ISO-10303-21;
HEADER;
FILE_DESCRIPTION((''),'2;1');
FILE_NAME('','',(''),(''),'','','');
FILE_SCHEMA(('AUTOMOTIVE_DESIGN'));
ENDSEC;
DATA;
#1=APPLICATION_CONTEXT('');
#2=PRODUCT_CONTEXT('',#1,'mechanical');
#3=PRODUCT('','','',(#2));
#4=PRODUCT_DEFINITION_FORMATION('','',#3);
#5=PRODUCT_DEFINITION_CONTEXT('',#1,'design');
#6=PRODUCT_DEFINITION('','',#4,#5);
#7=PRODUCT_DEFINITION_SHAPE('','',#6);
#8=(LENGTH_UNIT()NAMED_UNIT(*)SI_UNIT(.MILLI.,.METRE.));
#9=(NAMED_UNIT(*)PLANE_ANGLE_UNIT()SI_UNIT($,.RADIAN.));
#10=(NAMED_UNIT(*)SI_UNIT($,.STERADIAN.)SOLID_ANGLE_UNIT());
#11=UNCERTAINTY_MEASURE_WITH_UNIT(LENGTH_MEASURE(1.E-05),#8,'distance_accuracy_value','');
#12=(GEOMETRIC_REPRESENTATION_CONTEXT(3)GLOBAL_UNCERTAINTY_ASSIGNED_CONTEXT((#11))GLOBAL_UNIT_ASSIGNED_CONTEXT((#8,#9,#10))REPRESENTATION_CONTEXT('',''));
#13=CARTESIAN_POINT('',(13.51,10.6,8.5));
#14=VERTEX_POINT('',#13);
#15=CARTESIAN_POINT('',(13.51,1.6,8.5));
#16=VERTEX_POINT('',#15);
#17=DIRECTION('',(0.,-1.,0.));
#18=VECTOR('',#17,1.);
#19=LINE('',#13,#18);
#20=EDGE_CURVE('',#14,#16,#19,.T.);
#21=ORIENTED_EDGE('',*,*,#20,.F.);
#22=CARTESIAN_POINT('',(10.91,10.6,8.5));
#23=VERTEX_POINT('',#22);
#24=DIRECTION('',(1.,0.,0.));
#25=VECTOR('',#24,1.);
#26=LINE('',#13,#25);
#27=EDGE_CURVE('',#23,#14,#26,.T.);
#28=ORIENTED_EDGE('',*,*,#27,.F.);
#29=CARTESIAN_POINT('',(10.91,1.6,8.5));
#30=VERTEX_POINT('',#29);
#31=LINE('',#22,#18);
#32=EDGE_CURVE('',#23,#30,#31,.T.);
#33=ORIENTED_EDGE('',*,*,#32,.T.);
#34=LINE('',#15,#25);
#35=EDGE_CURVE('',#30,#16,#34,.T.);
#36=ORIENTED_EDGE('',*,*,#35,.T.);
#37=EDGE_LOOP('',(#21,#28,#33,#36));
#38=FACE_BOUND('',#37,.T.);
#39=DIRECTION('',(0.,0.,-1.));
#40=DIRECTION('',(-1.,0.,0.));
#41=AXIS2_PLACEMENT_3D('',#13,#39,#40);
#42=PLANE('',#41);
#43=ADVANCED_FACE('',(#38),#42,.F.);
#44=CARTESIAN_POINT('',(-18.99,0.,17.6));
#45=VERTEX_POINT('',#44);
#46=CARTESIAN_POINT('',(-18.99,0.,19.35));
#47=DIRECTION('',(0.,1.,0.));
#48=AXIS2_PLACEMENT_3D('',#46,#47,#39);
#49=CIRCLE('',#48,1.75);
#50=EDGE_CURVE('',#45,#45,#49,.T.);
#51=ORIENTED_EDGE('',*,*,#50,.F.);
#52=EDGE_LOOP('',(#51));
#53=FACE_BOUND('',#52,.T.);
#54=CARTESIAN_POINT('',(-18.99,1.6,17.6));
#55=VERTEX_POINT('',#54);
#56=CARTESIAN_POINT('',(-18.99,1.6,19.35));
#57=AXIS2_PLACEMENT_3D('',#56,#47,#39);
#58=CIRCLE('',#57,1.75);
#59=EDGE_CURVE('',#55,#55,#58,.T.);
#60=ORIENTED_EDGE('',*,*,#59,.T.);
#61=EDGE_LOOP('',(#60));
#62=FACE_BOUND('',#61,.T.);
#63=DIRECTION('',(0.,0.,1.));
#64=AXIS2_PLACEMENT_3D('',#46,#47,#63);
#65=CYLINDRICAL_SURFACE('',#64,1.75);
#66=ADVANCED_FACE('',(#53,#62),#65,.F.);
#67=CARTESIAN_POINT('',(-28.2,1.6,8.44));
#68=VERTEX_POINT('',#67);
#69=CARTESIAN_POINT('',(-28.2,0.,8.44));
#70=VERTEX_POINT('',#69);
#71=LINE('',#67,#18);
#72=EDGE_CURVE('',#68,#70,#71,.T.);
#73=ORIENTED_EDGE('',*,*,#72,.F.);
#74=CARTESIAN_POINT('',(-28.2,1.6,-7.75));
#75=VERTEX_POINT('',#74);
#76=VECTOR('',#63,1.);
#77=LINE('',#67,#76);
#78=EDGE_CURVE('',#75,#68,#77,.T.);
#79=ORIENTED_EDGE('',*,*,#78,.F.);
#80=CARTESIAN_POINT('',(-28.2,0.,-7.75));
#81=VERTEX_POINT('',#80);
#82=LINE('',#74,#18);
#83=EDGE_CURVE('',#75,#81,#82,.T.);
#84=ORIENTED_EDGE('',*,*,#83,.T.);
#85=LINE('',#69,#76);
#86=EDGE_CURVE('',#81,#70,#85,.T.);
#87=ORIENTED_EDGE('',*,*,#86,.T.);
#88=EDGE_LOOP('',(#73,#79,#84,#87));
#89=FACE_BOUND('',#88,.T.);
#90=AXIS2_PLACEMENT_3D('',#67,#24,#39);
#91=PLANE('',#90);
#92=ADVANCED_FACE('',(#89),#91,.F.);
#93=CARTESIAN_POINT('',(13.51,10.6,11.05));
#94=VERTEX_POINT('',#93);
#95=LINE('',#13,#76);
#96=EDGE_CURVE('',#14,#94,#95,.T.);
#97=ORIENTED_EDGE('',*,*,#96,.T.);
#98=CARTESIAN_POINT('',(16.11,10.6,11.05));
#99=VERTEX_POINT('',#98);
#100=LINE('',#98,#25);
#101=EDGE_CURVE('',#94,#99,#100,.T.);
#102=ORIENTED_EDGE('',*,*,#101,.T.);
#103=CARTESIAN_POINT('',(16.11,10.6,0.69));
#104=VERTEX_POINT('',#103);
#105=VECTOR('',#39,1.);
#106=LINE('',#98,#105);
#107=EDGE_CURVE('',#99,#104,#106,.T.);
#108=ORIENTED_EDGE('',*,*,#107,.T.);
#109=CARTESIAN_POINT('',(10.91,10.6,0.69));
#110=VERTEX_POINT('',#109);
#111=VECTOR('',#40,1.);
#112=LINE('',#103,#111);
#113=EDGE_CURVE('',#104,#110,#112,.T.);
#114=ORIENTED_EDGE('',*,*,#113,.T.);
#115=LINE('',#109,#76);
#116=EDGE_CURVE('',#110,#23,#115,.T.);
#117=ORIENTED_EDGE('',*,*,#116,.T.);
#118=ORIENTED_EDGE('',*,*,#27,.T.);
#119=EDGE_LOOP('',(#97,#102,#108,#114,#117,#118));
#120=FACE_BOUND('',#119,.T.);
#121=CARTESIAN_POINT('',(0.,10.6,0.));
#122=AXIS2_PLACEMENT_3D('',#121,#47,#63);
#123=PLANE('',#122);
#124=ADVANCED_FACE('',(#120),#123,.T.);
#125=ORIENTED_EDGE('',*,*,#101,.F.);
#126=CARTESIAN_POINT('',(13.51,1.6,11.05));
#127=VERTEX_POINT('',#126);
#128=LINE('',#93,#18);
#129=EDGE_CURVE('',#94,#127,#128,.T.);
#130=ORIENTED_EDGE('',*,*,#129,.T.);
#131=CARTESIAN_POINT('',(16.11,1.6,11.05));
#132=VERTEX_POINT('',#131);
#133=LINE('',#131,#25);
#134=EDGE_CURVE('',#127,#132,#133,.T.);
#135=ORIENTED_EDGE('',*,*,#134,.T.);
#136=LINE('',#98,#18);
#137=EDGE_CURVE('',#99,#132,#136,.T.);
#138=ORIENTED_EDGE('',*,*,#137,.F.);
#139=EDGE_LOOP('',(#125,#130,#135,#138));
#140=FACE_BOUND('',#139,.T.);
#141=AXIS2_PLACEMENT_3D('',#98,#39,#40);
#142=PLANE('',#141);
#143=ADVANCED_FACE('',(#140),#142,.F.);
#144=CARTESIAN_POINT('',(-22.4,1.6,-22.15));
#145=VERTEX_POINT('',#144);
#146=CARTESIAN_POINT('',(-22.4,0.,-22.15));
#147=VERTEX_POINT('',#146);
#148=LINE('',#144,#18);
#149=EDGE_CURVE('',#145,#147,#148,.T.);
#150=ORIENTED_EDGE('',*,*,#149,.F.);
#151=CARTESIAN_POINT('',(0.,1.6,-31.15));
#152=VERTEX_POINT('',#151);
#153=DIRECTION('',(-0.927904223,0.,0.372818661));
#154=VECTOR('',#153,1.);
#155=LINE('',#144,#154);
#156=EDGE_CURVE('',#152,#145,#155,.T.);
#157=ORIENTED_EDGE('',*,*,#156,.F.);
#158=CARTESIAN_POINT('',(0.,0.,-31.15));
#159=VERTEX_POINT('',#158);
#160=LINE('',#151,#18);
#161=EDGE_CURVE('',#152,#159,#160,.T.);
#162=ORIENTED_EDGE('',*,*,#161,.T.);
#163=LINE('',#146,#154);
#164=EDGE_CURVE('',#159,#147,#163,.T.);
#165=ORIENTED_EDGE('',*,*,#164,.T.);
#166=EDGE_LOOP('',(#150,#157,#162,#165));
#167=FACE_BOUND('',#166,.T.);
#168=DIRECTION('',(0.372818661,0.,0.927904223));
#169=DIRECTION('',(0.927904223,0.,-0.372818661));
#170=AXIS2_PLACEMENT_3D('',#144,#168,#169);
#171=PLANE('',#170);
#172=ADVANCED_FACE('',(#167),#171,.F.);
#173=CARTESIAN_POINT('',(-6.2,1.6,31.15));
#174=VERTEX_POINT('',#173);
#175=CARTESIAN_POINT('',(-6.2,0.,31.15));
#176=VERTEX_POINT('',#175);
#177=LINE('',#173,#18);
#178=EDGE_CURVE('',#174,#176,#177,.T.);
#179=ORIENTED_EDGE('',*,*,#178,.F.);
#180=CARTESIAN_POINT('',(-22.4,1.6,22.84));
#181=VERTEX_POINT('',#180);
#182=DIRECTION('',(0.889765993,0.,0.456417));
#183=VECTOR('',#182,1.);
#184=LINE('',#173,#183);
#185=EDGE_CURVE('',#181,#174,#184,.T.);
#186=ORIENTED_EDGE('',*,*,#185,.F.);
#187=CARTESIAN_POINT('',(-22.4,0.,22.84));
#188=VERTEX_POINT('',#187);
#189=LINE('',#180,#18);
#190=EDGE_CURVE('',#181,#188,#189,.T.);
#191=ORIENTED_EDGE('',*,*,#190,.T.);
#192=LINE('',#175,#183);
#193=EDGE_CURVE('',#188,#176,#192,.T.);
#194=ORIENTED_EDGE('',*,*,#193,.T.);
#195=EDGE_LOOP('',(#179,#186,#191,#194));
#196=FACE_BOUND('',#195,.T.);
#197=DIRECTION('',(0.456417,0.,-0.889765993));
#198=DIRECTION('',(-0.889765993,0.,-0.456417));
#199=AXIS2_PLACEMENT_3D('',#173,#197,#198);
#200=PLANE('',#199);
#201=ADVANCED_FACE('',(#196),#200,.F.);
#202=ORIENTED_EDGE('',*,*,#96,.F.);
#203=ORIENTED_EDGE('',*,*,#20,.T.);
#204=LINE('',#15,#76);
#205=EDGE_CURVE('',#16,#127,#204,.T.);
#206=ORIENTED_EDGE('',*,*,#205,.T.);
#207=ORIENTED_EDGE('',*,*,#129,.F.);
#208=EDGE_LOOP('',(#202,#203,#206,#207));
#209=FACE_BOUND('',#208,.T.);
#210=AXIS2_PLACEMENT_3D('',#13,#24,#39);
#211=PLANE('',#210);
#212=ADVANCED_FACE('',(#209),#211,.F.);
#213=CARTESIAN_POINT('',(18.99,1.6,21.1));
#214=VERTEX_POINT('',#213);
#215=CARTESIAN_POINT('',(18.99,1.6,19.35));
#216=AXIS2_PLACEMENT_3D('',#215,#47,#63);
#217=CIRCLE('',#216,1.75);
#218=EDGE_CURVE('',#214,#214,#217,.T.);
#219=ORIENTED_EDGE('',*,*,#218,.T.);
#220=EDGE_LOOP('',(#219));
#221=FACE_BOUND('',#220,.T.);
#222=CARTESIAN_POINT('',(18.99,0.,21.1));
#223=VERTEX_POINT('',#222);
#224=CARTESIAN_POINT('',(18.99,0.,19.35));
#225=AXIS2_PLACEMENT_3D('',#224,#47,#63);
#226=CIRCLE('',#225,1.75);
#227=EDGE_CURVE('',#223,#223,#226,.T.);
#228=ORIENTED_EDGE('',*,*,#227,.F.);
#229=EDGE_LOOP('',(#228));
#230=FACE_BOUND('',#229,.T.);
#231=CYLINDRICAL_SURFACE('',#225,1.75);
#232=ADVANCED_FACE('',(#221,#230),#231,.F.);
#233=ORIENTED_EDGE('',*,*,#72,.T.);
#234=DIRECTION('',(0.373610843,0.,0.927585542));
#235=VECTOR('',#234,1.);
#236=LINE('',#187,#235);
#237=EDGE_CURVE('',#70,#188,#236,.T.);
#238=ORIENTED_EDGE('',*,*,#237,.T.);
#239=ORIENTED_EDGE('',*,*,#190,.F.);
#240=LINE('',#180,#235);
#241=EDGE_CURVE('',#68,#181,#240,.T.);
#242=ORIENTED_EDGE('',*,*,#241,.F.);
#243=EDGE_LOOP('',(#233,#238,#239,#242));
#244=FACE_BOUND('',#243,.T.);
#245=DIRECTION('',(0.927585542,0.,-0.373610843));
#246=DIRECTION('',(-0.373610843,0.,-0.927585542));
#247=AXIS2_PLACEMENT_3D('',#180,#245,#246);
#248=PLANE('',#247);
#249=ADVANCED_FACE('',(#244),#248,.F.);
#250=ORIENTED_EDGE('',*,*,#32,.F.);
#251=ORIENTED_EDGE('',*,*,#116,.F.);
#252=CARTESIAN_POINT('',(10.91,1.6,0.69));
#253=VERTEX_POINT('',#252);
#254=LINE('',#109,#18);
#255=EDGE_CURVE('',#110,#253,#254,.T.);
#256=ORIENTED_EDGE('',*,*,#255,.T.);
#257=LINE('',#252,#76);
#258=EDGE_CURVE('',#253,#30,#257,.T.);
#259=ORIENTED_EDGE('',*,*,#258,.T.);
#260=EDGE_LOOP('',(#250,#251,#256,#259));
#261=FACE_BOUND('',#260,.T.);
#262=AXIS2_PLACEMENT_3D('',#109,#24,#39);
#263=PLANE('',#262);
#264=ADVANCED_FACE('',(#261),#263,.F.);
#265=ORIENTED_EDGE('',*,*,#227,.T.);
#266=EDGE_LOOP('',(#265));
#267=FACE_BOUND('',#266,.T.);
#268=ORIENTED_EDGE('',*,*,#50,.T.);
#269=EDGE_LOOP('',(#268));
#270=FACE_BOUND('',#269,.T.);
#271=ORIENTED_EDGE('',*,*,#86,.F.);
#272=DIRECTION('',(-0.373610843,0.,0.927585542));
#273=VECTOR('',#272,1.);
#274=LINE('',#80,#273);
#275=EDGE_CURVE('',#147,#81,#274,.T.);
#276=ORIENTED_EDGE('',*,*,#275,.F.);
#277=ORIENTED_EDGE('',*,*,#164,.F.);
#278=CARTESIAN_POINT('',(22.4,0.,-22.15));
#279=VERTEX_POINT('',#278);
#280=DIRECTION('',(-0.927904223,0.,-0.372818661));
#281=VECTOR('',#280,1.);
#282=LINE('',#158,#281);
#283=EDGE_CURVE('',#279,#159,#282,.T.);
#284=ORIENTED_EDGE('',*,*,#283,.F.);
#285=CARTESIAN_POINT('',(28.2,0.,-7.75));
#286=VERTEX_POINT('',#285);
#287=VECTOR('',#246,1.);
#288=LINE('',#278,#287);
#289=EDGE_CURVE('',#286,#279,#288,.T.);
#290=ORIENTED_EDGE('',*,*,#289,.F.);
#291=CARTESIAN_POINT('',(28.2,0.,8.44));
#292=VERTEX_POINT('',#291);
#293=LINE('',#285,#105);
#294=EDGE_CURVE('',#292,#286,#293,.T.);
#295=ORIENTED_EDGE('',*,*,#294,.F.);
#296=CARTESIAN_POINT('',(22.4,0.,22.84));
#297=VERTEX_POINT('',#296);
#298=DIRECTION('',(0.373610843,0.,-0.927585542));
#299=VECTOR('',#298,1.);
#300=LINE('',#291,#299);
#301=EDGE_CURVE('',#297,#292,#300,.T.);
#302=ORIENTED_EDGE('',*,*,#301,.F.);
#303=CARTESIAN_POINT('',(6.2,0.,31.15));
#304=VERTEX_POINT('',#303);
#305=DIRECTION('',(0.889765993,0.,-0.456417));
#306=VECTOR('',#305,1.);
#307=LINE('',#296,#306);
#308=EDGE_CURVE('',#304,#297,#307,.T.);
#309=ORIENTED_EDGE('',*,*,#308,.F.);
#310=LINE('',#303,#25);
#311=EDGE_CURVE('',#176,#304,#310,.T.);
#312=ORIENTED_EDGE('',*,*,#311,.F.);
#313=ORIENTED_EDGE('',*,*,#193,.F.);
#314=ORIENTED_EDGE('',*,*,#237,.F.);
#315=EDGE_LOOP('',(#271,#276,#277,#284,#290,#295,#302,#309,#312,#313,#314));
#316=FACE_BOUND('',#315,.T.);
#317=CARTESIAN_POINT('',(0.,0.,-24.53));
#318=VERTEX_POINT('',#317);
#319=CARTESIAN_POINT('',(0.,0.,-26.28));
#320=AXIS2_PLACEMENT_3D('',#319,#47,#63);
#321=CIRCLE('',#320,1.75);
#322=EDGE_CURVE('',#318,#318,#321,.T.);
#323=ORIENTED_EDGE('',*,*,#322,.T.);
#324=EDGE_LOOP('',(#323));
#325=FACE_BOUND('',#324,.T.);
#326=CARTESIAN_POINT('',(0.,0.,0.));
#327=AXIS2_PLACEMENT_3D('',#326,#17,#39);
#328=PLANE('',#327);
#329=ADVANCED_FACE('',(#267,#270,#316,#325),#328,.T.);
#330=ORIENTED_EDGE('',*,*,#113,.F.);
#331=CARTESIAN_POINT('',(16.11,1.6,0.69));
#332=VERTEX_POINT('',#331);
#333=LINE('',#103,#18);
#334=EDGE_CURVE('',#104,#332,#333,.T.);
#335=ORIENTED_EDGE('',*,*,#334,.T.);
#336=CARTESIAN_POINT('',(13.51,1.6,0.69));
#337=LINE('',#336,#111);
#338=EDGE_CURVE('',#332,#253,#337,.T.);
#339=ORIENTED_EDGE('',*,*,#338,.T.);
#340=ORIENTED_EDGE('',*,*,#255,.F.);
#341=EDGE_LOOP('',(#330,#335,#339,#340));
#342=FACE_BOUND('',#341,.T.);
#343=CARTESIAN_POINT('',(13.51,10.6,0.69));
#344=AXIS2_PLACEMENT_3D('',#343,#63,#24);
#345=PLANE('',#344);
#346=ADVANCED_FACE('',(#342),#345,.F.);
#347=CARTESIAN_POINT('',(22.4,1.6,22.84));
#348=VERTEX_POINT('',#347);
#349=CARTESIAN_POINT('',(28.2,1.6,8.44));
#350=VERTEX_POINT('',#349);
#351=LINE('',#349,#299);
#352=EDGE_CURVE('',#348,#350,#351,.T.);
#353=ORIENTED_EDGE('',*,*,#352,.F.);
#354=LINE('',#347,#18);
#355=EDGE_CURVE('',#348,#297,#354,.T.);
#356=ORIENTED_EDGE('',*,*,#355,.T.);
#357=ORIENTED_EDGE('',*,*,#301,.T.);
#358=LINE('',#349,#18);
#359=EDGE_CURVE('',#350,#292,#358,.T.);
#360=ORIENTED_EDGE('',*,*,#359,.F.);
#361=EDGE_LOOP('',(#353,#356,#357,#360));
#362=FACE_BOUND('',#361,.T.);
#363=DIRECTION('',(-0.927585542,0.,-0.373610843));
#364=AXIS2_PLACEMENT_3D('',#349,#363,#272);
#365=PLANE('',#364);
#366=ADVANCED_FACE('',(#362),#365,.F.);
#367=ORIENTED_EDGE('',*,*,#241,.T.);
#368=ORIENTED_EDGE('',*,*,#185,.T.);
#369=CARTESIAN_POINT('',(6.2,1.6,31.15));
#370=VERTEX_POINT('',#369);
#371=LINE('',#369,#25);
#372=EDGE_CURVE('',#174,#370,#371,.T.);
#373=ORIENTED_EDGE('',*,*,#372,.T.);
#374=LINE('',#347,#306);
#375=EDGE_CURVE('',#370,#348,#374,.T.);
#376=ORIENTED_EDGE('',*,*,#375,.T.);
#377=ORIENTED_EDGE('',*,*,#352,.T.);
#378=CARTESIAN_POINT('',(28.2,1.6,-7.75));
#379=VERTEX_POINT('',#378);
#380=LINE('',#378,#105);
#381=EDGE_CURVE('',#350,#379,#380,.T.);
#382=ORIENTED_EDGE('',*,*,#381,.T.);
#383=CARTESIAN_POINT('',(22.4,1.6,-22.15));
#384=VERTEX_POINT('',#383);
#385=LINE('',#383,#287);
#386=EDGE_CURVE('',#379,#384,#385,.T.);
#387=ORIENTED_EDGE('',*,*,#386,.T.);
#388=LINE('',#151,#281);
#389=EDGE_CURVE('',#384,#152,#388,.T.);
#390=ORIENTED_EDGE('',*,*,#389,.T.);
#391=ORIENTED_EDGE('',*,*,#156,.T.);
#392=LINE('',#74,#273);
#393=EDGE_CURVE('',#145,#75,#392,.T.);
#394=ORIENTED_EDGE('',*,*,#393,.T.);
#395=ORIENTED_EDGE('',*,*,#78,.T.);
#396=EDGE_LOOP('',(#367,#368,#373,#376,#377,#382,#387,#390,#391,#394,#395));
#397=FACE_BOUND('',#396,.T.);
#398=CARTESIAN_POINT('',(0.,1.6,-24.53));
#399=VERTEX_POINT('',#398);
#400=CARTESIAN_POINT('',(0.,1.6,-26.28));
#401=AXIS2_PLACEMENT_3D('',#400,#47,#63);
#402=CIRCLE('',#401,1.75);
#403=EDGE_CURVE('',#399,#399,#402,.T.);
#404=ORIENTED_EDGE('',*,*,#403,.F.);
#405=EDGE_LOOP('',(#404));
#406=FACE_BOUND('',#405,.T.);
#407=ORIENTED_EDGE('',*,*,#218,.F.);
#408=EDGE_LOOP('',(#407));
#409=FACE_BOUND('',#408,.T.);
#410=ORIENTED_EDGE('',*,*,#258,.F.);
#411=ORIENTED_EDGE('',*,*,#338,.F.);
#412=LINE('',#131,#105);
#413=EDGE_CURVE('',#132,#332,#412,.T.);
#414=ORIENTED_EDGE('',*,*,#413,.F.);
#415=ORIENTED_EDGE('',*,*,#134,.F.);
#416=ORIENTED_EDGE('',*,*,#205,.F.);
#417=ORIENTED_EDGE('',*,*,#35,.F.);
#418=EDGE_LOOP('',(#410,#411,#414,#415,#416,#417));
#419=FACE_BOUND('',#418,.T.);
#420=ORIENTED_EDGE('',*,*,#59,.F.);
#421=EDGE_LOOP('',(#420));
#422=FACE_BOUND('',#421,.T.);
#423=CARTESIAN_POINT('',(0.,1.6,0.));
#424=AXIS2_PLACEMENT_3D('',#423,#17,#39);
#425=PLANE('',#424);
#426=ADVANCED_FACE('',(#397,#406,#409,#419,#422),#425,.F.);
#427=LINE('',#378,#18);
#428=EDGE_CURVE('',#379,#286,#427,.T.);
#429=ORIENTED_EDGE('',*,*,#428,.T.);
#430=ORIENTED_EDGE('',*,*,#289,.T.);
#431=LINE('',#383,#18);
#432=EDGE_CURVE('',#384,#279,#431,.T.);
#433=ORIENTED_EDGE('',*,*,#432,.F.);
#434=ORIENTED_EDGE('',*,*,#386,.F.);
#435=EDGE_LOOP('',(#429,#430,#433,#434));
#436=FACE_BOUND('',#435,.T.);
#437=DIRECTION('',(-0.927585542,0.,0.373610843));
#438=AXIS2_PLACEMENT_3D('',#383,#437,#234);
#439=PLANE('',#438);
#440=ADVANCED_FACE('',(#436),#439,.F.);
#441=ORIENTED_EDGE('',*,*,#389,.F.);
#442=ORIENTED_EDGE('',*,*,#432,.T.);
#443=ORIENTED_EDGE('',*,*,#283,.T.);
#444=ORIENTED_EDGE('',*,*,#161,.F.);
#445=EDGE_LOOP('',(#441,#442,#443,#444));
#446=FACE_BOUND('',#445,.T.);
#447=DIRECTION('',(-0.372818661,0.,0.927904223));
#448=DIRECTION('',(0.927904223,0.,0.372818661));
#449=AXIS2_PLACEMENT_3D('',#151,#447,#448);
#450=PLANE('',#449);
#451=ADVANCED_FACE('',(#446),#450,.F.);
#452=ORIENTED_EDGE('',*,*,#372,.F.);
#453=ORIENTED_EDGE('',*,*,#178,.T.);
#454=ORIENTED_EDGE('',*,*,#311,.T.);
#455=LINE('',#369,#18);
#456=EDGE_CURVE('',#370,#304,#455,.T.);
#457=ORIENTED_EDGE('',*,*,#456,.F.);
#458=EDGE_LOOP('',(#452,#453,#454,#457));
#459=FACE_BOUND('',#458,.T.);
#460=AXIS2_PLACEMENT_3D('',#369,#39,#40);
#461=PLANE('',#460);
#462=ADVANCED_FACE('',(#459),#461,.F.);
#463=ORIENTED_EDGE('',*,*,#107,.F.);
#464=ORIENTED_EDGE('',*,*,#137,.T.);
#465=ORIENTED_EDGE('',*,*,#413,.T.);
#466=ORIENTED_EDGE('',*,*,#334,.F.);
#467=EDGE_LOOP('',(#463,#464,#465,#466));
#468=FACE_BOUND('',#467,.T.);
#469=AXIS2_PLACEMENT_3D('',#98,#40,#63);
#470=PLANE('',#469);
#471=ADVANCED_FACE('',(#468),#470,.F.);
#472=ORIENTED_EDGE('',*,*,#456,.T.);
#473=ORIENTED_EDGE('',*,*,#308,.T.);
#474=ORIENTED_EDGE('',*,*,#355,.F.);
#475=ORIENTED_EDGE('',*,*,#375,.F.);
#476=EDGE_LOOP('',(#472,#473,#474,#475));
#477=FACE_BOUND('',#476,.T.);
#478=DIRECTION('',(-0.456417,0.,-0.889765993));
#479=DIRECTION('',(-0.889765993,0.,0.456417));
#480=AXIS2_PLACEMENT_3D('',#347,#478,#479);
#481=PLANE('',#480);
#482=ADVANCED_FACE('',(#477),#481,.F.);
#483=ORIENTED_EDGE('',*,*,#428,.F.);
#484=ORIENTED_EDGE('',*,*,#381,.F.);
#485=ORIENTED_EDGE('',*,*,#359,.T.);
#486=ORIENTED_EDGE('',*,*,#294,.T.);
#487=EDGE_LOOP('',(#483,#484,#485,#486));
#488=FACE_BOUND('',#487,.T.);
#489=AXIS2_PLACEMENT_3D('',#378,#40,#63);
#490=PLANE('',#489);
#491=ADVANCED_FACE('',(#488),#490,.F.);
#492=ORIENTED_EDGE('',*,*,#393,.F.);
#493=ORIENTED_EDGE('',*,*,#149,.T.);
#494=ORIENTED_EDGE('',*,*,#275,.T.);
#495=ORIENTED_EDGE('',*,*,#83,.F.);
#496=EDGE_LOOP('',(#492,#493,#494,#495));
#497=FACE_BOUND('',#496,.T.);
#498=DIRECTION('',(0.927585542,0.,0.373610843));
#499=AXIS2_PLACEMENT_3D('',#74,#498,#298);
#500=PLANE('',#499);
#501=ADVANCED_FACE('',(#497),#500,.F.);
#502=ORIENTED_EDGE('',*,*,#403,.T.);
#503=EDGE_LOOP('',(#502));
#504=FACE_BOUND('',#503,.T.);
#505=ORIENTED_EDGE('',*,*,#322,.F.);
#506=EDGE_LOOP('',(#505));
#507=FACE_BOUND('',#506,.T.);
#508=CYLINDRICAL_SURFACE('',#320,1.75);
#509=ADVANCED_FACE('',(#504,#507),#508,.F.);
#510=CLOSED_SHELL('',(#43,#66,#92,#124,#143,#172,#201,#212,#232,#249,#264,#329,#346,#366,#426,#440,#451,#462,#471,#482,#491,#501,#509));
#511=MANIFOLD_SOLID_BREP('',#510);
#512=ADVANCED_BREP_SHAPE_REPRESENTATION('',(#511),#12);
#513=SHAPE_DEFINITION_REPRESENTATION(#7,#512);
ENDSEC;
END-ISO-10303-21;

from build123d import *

# Parameters (mm, degrees)
BOSS_EXTRUDE1_DEPTH = 1.6
SKETCH2_R           = 1.75
CUT_EXTRUDE1_DEPTH  = 1.6
BOSS_EXTRUDE2_DEPTH = 9


with BuildPart() as part:
    # Sketch1 → Boss-Extrude1 (new body)
    with BuildSketch(Plane(origin=(0, 0, 0), x_dir=(1, 0, 0), z_dir=(0, 1, 0))):
        Polygon((0, 31.15), (22.4, 22.15), (28.2, 7.75), (28.2, -8.44), (22.4, -22.84), (6.2, -31.15), (-6.2, -31.15), (-22.4, -22.84), (-28.2, -8.44), (-28.2, 7.75), (-22.4, 22.15), align=None)
    extrude(amount=BOSS_EXTRUDE1_DEPTH)

    # Sketch2 → Cut-Extrude1 (cut)
    with BuildSketch(Plane(origin=(0, 1.6, 0), x_dir=(1, 0, 0), z_dir=(0, 1, 0))):
        with Locations(Location((0, 26.28, 0), (0, 0, 270))):
            Circle(SKETCH2_R)
        with Locations(Location((18.99, -19.35, 0), (0, 0, 270))):
            Circle(SKETCH2_R)
        with Locations(Location((-18.99, -19.35, 0), (0, 0, 90))):
            Circle(SKETCH2_R)
    extrude(amount=-CUT_EXTRUDE1_DEPTH, mode=Mode.SUBTRACT)

    # Sketch3 → Boss-Extrude2 (add)
    with BuildSketch(Plane(origin=(0, 1.6, 0), x_dir=(1, 0, 0), z_dir=(0, 1, 0))):
        Polygon((13.51, -8.5), (13.51, -11.05), (16.11, -11.05), (16.11, -0.69), (13.51, -0.69), (10.91, -0.69), (10.91, -8.5), align=None)
    extrude(amount=BOSS_EXTRUDE2_DEPTH)


solid = part.part
